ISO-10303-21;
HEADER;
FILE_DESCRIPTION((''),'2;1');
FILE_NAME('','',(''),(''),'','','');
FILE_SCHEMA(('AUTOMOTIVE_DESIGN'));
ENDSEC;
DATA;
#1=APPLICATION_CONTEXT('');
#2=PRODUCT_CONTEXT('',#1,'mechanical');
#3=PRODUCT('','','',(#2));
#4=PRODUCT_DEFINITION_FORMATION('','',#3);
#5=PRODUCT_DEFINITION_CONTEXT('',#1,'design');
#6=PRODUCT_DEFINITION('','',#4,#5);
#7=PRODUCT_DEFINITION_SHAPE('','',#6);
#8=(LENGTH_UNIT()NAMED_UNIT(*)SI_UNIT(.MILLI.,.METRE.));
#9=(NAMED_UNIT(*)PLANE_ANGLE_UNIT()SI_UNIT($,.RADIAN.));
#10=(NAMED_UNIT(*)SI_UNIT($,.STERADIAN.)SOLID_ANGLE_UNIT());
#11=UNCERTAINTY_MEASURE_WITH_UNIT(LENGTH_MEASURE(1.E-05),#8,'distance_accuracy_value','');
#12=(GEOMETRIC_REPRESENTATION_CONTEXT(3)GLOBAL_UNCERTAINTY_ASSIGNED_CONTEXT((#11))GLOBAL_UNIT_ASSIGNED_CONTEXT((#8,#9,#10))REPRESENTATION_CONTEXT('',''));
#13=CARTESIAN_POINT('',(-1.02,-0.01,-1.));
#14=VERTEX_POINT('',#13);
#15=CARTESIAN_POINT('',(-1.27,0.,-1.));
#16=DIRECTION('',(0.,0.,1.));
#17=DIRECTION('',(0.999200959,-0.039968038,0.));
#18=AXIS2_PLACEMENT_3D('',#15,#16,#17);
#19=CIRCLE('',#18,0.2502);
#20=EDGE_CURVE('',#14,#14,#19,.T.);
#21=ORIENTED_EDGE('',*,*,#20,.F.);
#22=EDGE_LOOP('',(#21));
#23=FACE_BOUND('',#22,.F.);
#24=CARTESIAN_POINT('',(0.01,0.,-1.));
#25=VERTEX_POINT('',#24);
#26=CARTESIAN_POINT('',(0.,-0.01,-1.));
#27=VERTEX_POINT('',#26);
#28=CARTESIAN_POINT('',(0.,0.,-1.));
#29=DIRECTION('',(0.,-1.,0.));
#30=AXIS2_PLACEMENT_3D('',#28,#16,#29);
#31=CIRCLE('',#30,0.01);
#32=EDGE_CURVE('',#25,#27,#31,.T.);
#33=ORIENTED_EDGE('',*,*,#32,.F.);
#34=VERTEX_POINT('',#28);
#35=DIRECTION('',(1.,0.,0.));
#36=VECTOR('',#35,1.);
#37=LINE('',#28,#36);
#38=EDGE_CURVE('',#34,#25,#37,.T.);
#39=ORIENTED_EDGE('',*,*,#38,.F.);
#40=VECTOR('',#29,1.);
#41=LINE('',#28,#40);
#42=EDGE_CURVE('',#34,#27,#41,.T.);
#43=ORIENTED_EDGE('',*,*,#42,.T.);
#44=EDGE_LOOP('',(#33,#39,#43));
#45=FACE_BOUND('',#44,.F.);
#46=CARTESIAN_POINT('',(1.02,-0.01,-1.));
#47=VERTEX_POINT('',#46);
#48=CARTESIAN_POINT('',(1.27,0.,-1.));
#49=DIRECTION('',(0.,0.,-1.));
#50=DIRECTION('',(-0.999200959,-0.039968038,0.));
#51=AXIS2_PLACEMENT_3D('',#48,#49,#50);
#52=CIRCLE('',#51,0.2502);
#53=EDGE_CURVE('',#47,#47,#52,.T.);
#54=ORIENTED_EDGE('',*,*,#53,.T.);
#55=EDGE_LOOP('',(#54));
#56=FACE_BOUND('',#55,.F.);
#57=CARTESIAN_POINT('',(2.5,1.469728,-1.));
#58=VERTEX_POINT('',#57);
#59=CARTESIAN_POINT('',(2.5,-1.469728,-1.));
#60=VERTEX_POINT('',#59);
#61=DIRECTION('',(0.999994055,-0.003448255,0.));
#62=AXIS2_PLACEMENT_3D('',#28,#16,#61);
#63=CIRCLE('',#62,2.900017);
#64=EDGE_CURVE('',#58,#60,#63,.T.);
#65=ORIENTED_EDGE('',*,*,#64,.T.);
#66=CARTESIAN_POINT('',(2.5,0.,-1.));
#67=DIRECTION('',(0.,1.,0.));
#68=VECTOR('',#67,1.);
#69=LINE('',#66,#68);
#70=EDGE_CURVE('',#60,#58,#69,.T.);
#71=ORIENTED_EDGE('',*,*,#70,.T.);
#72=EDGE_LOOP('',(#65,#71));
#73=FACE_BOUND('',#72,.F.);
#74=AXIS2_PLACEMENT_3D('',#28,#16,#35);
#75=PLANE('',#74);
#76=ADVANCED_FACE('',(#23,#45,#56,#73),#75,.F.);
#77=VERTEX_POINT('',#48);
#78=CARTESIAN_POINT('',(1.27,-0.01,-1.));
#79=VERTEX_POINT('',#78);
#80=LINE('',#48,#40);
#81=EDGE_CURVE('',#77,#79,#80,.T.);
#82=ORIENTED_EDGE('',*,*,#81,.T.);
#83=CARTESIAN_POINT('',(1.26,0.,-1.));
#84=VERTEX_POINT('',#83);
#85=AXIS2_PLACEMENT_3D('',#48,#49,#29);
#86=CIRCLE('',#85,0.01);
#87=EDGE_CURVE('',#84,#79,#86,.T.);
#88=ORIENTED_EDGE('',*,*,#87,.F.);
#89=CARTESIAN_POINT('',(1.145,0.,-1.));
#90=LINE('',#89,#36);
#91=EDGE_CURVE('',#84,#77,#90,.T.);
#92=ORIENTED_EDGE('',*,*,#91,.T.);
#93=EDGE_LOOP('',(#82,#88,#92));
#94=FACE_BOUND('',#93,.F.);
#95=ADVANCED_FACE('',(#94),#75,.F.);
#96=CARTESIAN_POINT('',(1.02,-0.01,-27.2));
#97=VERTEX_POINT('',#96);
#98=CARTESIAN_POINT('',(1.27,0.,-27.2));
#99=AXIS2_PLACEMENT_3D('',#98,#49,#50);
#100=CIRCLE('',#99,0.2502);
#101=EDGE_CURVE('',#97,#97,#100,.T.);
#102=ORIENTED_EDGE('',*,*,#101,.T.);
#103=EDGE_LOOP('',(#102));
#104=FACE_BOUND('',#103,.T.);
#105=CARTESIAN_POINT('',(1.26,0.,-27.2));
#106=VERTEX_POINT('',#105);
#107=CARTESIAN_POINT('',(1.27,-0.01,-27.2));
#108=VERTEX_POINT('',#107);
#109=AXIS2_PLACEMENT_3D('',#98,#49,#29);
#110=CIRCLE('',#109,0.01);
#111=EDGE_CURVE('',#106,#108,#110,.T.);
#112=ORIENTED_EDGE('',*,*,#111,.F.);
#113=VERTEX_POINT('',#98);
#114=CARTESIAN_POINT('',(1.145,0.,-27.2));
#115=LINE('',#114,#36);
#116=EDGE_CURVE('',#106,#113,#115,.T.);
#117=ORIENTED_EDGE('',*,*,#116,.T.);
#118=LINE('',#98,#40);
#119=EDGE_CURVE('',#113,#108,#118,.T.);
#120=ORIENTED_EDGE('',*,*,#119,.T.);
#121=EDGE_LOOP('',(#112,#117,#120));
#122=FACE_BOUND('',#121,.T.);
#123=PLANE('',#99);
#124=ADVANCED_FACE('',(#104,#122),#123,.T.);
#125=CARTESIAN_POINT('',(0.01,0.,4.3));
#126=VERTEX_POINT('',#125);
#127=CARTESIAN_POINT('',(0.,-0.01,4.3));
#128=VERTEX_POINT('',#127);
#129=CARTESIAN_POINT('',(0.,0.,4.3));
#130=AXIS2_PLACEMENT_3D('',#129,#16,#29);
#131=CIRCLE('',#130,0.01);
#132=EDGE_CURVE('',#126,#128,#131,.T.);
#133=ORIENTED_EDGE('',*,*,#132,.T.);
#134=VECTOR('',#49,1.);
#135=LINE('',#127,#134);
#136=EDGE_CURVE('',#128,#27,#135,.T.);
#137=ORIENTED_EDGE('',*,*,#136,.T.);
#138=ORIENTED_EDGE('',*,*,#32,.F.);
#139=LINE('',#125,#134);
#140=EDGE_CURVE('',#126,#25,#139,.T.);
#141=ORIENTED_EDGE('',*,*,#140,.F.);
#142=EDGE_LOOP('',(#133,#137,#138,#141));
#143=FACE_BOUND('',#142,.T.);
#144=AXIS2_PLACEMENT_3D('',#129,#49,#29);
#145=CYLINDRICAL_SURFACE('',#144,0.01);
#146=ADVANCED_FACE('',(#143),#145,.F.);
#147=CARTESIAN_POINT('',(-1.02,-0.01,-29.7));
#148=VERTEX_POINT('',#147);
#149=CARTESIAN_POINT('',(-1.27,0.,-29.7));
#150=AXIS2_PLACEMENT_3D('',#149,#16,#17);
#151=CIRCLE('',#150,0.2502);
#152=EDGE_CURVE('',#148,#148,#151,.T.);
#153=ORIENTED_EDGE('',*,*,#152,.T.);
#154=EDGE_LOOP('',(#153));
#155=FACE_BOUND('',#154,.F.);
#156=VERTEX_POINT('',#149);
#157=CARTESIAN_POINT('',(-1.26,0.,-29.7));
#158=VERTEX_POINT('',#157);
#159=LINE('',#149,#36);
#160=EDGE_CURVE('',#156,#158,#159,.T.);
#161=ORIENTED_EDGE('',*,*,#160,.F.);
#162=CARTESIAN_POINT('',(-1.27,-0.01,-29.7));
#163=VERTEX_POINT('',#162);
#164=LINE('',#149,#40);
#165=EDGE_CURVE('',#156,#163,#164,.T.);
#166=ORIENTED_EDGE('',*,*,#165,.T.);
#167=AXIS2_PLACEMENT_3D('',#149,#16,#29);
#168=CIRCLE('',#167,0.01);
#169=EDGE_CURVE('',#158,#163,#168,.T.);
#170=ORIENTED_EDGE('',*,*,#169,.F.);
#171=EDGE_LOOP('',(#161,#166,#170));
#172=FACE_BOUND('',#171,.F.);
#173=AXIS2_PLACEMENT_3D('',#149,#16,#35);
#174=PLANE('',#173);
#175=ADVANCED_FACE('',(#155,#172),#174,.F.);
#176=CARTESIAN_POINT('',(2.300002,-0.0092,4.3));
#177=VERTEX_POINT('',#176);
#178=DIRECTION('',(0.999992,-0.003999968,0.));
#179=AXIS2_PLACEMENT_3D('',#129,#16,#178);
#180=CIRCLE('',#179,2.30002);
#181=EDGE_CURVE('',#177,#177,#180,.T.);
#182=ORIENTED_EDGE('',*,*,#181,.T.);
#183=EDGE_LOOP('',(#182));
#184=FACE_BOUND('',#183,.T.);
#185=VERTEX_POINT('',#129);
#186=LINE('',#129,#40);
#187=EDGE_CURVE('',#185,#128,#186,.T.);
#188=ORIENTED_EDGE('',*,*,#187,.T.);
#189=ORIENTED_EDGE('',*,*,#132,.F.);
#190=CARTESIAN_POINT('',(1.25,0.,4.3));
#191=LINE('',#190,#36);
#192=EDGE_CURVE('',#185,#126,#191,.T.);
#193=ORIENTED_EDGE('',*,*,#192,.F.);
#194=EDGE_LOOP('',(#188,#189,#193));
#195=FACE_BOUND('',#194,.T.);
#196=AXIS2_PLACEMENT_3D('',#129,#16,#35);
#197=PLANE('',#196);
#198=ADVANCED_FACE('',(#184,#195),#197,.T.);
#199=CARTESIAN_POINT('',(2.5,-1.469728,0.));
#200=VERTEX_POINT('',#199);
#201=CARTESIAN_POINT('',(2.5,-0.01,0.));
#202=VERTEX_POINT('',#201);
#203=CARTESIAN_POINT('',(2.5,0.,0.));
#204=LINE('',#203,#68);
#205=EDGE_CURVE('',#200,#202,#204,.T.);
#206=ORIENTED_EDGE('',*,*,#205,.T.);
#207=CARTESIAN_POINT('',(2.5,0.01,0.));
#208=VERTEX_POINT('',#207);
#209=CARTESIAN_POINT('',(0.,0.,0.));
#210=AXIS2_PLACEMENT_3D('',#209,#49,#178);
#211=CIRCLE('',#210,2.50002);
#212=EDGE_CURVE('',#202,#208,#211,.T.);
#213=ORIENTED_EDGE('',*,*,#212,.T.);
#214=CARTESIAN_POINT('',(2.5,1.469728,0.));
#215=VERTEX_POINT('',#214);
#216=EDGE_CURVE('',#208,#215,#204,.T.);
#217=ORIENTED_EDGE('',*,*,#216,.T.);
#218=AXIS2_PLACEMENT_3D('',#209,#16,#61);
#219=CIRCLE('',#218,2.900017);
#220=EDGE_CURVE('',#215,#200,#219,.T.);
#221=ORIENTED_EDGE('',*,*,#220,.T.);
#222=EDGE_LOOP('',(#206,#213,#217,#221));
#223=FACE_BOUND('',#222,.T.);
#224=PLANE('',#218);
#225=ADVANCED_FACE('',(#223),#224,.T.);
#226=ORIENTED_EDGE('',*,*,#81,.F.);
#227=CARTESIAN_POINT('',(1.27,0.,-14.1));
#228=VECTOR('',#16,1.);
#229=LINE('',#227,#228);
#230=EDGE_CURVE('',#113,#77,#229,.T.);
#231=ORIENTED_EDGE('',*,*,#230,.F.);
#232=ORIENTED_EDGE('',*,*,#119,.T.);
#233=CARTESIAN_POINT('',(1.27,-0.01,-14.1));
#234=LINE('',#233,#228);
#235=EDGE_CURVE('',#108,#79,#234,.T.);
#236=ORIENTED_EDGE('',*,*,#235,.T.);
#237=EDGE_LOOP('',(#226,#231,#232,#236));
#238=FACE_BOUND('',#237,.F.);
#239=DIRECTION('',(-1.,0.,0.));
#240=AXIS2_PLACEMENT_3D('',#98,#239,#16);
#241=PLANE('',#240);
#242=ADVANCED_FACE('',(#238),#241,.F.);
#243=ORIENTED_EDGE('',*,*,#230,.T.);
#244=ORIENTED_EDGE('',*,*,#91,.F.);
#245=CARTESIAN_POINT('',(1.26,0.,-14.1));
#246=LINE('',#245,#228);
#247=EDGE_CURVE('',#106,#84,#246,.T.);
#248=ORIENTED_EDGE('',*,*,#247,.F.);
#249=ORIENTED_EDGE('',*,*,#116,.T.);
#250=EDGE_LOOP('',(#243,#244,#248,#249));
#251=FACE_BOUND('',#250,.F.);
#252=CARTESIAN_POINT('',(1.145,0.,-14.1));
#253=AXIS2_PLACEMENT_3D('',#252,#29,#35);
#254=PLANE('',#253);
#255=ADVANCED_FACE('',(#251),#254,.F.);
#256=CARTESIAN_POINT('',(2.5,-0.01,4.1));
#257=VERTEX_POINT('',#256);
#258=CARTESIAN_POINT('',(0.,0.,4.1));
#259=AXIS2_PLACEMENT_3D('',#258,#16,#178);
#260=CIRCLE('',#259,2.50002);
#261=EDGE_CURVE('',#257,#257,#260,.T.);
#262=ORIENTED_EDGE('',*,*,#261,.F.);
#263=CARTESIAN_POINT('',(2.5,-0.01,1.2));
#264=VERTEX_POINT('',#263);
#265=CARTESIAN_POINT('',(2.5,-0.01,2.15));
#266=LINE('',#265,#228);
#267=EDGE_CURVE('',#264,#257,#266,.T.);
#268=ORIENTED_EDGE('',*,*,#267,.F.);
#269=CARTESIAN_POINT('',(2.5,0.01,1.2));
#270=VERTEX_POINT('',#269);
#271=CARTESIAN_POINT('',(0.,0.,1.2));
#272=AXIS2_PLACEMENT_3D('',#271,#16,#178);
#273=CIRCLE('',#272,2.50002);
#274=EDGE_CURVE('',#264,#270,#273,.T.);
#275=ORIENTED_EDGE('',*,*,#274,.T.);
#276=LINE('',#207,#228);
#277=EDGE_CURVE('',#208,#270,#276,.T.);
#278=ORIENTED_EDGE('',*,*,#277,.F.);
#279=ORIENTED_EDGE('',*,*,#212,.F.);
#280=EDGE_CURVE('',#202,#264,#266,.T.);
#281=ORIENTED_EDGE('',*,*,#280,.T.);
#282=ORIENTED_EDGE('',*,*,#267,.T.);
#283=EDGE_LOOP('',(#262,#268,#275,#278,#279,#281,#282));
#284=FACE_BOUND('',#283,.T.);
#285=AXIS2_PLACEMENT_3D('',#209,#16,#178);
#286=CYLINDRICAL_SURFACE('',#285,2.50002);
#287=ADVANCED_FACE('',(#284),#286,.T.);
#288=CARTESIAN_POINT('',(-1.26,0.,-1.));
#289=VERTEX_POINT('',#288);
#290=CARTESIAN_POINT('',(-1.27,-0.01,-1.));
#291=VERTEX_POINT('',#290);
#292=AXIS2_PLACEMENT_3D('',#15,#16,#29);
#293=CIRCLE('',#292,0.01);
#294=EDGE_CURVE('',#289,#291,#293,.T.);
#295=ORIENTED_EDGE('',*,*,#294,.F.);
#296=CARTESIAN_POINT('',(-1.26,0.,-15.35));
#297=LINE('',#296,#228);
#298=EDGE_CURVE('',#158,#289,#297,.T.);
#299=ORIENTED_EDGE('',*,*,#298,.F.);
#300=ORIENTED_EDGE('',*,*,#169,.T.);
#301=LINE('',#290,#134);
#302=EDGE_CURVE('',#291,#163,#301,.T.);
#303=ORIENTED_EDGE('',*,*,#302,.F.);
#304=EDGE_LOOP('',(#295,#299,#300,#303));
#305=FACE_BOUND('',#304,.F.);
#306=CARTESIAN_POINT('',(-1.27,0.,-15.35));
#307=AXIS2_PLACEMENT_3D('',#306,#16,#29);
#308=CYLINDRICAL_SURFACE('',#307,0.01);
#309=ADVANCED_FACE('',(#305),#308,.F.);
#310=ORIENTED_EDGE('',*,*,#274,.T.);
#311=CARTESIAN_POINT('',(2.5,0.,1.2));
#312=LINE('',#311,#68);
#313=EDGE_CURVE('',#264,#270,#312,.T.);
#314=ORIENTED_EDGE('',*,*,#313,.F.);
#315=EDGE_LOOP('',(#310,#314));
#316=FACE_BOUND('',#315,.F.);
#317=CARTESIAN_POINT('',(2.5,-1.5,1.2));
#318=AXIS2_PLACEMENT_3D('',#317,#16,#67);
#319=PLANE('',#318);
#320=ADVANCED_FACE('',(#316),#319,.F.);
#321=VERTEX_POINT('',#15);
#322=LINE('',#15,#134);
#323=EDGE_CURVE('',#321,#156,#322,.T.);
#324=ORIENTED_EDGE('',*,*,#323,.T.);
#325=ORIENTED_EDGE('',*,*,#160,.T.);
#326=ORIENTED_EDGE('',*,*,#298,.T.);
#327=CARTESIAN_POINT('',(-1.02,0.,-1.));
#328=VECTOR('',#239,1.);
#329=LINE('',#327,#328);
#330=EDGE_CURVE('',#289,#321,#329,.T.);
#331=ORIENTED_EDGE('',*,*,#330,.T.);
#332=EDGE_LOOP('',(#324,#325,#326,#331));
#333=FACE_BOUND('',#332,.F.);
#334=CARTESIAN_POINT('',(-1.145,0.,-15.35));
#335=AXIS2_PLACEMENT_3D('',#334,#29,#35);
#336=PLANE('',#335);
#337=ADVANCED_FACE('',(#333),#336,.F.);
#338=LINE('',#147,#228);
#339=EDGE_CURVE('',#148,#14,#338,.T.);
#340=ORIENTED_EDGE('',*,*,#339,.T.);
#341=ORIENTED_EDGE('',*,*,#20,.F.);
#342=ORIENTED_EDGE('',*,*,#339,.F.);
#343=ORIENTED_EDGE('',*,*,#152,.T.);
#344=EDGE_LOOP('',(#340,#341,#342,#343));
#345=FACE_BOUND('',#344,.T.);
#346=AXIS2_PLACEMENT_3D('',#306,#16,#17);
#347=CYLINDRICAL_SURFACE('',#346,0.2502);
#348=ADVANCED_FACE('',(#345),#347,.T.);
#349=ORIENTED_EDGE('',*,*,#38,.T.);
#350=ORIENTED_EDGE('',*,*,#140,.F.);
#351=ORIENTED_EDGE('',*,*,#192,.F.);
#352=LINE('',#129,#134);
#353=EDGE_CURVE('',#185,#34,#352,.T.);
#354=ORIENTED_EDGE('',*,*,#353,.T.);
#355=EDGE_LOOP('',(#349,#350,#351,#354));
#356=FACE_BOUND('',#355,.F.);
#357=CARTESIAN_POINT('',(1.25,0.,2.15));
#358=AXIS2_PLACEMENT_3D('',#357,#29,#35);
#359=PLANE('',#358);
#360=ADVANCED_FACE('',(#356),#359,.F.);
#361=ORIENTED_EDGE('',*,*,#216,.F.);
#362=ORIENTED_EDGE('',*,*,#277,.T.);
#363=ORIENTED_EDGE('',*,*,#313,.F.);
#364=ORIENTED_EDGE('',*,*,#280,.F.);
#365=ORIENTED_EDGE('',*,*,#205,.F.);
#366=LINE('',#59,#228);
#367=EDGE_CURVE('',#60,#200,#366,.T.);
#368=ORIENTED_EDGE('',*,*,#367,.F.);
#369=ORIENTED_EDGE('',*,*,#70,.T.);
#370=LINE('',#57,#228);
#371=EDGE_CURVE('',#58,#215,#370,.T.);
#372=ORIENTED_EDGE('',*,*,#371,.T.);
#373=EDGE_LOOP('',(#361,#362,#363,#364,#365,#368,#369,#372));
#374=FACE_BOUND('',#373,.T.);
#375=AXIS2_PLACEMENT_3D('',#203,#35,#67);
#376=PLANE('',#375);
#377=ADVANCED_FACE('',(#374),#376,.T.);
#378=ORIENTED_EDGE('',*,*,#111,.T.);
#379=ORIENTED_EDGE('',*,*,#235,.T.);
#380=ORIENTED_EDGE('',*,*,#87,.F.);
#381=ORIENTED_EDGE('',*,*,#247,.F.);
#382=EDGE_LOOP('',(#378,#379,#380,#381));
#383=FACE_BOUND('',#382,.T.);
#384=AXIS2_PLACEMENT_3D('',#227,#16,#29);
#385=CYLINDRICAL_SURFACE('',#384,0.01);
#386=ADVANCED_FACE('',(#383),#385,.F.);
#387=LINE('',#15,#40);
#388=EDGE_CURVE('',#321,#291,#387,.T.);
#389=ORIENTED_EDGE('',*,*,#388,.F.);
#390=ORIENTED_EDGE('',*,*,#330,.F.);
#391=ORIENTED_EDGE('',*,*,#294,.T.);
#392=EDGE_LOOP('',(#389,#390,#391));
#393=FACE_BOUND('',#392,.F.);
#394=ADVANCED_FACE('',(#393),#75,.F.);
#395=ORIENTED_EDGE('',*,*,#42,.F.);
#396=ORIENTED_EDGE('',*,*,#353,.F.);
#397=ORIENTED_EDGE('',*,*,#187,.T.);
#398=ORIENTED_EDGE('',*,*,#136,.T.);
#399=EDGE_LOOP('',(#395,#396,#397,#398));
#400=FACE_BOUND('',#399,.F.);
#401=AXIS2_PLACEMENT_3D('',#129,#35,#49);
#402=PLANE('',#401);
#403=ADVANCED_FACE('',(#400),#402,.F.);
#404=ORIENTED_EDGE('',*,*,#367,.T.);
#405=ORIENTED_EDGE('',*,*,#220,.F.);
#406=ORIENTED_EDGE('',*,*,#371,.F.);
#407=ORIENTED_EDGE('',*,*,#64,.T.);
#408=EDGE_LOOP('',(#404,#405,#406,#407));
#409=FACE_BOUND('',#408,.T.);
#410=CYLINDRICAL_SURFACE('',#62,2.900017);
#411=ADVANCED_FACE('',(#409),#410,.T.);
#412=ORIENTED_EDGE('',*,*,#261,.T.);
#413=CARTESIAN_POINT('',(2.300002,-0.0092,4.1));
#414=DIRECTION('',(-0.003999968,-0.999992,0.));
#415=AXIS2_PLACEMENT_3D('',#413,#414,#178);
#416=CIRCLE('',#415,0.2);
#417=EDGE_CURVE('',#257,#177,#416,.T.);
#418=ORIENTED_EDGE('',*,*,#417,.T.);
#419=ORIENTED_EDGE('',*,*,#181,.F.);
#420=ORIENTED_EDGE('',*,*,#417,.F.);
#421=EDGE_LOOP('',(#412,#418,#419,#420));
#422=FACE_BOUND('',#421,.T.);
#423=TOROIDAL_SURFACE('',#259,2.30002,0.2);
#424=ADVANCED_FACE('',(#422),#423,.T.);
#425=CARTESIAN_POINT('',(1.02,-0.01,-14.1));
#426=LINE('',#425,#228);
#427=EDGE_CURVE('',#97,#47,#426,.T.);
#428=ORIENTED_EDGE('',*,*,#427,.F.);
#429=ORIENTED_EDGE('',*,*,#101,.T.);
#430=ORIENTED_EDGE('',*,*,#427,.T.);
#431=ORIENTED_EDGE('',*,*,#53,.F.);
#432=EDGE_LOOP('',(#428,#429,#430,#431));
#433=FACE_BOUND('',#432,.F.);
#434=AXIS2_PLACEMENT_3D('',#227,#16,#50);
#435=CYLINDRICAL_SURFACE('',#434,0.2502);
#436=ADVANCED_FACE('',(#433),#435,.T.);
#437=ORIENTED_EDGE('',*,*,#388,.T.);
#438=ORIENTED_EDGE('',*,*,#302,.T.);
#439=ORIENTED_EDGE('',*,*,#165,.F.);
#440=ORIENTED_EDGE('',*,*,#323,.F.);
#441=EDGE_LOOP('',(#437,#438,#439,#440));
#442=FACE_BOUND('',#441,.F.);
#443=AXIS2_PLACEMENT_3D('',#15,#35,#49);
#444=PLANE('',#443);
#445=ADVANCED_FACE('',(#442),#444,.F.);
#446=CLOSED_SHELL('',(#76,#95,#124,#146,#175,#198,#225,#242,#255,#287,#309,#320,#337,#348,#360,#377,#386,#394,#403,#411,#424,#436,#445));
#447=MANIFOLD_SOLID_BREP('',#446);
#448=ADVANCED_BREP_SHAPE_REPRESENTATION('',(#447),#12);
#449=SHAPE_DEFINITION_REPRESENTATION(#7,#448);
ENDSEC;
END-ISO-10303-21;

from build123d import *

# Parameters (mm, degrees)
F0_W      = 2.5
F0_H      = 4.3
F1_DEPTH  = 0.01
F4_W      = 3
F4_H      = 2.4
F5_DEPTH  = 2
F0_W_2    = 0.25
F0_H_2    = 26.2
F6_DEPTH  = 0.01
F7_DEPTH  = 0.01
F7_FACE_W = 0.25
F7_FACE_H = 28.7
F6_FACE_W = 0.25
F6_FACE_H = 26.2
F10_R     = 0.2


with BuildPart() as f1:
    # F0 (on Front) → F1 (new body)
    with BuildSketch(Plane.XZ):
        with Locations((1.25, 2.15)):
            Rectangle(F0_W, F0_H)
        Polygon((2.5, 0), (0, 0), (0, -1), (1.02, -1), (1.27, -1), (2.9, -1), (2.9, 0), align=None)
    extrude(amount=F1_DEPTH)

    # F1_face (on face) → F2 (revolve)
    with BuildSketch(Plane(origin=(1.2924908425, -0.01, 1.586996337), x_dir=(1, 0, 0), z_dir=(0, -1, 0))):
        Polygon((-1.2924908425, 2.713003663), (-1.2924908425, -2.586996337), (1.6075091575, -2.586996337), (1.6075091575, -1.586996337), (1.2075091575, -1.586996337), (1.2075091575, 2.713003663), align=None)
    revolve(axis=Axis((0, 0, 1.65), (0, 0, 1)))

    # F4 (on offset) → F5 (cut)
    with BuildSketch(Plane.YZ.offset(2.5)):
        Rectangle(F4_W, F4_H)
    extrude(amount=F5_DEPTH, mode=Mode.SUBTRACT)

    # F0 (on Front) → F6 (join)
    with BuildSketch(Plane.XZ):
        with Locations((1.145, -14.1)):
            Rectangle(F0_W_2, F0_H_2)
    extrude(amount=F6_DEPTH)

    # F0 (on Front) → F7 (join)
    with BuildSketch(Plane.XZ):
        Polygon((-1.02, -29.7), (-1.02, -27.2), (-1.02, -1), (-1.27, -1), (-1.27, -29.7), align=None)
    extrude(amount=F7_DEPTH)

    # F7_face (on face) → F8 (revolve)
    with BuildSketch(Plane(origin=(-1.145, -0.01, -15.35), x_dir=(1, 0, 0), z_dir=(0, -1, 0))):
        Rectangle(F7_FACE_W, F7_FACE_H)
    revolve(axis=Axis((-1.27, 0, -15.35), (0, 0, 1)))

    # F6_face (on face) → F9 (revolve)
    with BuildSketch(Plane(origin=(1.145, -0.01, -14.1), x_dir=(1, 0, 0), z_dir=(0, -1, 0))):
        Rectangle(F6_FACE_W, F6_FACE_H)
    revolve(axis=Axis((1.27, 0, -14.1), (0, 0, -1)))

    # F10
    f10_edges = [f1.edges().sort_by_distance(p)[0] for p in [
        (-2.5, 0.01, 4.3),
    ]]
    fillet(f10_edges, radius=F10_R)


solid = f1.part
